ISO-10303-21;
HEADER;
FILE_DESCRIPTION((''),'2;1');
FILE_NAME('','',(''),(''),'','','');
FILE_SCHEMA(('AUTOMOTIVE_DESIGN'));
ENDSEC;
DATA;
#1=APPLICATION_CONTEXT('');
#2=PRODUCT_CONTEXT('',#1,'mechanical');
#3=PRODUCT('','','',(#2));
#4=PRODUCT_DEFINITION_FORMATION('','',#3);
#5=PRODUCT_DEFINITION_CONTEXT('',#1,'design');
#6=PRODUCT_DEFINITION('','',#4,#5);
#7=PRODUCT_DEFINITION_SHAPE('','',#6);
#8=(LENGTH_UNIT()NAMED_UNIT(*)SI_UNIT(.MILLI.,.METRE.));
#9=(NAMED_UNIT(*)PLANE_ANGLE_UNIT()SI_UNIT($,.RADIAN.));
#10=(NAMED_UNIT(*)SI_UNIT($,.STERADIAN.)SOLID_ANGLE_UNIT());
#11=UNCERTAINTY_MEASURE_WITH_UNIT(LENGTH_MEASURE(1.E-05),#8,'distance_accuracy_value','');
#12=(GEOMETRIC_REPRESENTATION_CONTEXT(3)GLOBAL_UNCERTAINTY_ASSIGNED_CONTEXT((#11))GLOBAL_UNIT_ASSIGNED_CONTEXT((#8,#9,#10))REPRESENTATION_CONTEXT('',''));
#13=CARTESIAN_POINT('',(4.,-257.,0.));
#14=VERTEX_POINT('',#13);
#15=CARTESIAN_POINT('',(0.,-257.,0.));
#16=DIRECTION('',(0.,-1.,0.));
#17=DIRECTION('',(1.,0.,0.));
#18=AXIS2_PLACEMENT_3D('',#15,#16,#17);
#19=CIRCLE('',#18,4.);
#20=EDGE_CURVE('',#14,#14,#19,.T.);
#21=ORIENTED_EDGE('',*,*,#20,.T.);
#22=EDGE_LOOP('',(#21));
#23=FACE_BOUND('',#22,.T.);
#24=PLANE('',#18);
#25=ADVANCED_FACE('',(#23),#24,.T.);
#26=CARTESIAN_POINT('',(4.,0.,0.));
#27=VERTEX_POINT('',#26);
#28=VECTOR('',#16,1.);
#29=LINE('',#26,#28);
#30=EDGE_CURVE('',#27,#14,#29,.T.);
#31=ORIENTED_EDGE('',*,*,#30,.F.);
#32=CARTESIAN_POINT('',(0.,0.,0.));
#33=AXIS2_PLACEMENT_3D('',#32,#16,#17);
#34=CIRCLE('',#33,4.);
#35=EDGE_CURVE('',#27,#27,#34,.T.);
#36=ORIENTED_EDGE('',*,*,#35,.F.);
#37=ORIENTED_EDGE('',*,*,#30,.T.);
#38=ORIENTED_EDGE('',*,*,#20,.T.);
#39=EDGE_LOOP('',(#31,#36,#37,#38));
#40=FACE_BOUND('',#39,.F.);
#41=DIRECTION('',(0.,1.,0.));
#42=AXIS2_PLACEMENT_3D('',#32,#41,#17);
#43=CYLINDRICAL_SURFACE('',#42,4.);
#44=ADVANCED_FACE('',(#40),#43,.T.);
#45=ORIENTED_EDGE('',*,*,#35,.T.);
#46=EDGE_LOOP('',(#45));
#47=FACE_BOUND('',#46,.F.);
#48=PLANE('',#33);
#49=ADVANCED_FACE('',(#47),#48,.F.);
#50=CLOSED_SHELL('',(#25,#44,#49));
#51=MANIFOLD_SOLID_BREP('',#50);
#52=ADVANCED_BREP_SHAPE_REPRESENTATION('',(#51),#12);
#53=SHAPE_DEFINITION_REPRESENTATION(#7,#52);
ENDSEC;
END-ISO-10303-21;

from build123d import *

# Parameters (mm, degrees)
F0_R      = 4
F1_DEPTH  = 300
F1_FACE_R = 4
F2_DEPTH  = 43


with BuildPart() as f1:
    # F0 (on Front) → F1 (new body)
    with BuildSketch(Plane.XZ):
        Circle(F0_R)
    extrude(amount=F1_DEPTH)

    # F1_face (on face) → F2 (cut)
    with BuildSketch(Plane.XZ.offset(300)):
        Circle(F1_FACE_R)
    extrude(amount=-F2_DEPTH, mode=Mode.SUBTRACT)


solid = f1.part
